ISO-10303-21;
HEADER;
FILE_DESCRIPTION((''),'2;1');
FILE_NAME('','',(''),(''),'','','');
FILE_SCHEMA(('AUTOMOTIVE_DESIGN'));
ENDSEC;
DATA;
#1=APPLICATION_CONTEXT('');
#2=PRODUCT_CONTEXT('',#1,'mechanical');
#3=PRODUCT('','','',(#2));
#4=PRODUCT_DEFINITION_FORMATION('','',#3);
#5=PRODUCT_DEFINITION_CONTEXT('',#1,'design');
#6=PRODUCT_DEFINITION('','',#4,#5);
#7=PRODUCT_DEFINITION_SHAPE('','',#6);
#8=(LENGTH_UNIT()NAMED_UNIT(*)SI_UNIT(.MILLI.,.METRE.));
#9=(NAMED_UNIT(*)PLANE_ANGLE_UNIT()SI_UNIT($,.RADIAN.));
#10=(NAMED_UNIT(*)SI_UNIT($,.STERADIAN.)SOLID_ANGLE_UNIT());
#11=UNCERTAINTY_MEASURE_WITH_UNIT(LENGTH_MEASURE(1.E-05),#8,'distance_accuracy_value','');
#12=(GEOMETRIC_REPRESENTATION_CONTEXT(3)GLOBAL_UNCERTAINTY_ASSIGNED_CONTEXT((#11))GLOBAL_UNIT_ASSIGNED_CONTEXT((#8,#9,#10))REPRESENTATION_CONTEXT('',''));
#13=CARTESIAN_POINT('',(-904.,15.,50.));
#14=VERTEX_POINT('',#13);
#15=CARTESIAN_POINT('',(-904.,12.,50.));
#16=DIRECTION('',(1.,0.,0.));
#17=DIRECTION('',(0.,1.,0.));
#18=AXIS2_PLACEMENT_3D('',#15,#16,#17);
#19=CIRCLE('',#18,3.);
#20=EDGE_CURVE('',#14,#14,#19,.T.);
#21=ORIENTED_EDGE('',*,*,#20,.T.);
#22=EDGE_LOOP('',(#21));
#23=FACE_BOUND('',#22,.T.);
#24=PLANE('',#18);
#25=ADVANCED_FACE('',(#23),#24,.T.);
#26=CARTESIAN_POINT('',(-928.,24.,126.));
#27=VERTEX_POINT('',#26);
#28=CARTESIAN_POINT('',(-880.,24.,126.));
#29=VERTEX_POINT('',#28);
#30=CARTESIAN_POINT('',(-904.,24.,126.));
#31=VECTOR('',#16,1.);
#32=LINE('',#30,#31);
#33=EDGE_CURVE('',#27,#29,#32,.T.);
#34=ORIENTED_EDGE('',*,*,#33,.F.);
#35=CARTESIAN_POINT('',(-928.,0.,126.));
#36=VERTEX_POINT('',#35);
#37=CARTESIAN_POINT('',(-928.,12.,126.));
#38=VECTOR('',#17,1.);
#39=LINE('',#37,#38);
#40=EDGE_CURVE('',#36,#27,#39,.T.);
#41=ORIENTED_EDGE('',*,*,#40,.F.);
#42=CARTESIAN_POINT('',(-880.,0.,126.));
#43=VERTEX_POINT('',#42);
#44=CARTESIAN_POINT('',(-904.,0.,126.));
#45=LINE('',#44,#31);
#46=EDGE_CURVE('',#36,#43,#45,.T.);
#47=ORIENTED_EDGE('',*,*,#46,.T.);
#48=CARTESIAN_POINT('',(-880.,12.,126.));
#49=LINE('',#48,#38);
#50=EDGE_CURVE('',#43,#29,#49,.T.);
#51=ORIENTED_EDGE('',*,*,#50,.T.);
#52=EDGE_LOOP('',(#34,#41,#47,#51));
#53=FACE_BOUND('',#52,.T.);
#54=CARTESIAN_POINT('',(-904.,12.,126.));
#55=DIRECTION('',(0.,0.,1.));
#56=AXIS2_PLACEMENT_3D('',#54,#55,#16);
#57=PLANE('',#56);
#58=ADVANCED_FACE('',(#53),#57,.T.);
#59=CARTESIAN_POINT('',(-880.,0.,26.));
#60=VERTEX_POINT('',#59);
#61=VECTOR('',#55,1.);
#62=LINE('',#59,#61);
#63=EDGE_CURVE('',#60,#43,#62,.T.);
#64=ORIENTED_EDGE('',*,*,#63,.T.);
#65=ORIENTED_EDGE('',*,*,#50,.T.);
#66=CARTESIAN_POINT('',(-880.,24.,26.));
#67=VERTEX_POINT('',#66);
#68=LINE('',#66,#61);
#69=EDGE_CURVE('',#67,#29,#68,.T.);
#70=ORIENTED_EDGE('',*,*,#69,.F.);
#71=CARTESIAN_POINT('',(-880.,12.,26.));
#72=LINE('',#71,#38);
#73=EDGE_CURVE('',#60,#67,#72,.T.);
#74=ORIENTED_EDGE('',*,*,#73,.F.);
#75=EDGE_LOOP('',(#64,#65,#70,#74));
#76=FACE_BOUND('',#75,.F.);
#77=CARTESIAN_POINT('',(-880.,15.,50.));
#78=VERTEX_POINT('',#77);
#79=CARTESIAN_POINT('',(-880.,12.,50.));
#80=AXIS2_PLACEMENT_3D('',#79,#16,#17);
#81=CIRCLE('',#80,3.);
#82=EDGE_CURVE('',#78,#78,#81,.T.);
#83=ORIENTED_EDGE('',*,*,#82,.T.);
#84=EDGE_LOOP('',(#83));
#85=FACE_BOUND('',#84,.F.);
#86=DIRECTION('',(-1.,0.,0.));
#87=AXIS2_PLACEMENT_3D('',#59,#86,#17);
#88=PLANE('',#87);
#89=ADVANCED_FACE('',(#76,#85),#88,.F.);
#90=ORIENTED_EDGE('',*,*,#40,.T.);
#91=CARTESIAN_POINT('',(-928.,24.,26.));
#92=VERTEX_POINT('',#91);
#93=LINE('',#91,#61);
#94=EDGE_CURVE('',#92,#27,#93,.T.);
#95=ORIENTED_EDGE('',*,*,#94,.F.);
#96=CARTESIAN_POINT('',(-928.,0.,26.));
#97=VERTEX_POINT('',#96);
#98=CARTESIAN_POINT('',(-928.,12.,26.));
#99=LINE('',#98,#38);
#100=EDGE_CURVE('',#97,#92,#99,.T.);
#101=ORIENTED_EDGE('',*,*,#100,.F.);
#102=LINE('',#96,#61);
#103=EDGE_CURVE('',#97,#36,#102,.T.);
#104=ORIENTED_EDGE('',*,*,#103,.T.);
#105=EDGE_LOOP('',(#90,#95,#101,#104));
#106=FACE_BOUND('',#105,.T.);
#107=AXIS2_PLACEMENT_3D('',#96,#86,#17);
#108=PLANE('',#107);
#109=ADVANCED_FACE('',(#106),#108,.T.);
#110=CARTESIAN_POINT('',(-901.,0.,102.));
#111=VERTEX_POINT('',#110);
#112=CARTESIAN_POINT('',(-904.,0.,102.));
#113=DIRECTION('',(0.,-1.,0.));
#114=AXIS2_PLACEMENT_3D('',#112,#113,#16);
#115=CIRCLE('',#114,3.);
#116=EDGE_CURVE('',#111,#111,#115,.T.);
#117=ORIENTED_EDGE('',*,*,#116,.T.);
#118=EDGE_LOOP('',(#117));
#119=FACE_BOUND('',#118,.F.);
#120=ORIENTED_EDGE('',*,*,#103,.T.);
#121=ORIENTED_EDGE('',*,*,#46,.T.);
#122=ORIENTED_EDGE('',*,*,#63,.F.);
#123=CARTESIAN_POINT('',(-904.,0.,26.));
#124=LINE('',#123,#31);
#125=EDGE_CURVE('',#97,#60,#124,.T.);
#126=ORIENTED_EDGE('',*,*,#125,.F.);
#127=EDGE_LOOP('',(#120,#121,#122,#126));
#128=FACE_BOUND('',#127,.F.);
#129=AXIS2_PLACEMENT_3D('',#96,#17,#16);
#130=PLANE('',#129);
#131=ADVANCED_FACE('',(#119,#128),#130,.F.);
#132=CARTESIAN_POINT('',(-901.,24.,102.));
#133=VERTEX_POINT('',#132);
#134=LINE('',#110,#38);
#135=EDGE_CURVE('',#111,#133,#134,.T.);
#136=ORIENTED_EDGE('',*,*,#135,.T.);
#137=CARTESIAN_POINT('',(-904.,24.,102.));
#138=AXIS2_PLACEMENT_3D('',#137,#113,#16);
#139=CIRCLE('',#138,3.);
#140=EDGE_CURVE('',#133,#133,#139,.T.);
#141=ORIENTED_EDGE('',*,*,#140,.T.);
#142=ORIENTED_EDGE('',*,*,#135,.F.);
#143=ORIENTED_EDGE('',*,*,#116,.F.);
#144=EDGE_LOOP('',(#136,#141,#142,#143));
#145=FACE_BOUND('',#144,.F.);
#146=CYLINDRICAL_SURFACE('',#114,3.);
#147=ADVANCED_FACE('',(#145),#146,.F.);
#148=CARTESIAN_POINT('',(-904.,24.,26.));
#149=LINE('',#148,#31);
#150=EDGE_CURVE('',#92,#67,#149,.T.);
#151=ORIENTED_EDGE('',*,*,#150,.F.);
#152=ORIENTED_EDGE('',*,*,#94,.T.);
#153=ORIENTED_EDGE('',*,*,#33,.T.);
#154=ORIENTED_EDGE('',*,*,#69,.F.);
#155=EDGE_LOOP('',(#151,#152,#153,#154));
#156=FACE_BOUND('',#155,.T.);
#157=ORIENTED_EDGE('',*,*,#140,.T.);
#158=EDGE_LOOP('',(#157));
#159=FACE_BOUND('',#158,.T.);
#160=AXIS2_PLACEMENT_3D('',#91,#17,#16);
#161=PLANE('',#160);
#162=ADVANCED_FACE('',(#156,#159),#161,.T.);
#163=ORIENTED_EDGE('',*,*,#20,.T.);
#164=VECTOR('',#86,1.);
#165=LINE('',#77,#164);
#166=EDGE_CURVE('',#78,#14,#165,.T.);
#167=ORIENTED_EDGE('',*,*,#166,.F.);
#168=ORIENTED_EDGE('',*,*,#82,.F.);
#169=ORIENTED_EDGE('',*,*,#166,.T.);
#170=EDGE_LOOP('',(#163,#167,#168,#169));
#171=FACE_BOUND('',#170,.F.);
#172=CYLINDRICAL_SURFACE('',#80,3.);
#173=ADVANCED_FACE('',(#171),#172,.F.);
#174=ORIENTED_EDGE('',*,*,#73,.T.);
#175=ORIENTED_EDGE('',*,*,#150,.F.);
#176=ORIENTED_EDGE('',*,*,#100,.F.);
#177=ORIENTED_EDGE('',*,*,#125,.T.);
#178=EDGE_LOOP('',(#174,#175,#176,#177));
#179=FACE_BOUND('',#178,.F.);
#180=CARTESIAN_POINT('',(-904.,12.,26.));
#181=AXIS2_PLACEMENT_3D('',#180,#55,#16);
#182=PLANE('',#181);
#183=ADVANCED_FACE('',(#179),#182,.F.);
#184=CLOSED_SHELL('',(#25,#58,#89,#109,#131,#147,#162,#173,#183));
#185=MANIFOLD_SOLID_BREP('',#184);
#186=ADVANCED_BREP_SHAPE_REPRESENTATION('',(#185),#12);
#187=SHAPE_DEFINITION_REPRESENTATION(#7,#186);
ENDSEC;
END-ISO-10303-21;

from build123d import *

# Parameters (mm, degrees)
SKETCH063_W     = 48
SKETCH063_H     = 24
PAD037_DEPTH    = 100
SKETCH064_R     = 3
POCKET026_DEPTH = 24
SKETCH065_R     = 3
POCKET027_DEPTH = 24.001


with BuildPart() as part:
    # Sketch063 → Pad037 (new body)
    with BuildSketch(Plane.XY):
        with Locations((24, 12)):
            Rectangle(SKETCH063_W, SKETCH063_H)
    extrude(amount=PAD037_DEPTH)

    # Sketch064 (on Face2 of Pad037) → Pocket026 (cut)
    with BuildSketch(Plane.YZ.offset(48)):
        with Locations((12, 24)):
            Circle(SKETCH064_R)
    extrude(amount=-POCKET026_DEPTH, mode=Mode.SUBTRACT)

    # Sketch065 (on Face1 of Pocket026) → Pocket027 (cut, through all)
    with BuildSketch(Plane.XZ):
        with Locations((24, 76)):
            Circle(SKETCH065_R)
    extrude(amount=-POCKET027_DEPTH, mode=Mode.SUBTRACT)


with BuildPart() as part_1:
    # Body043 placement: moved
    add(part.part.moved(Location((-928, 0, 26))))


solid = part_1.part
